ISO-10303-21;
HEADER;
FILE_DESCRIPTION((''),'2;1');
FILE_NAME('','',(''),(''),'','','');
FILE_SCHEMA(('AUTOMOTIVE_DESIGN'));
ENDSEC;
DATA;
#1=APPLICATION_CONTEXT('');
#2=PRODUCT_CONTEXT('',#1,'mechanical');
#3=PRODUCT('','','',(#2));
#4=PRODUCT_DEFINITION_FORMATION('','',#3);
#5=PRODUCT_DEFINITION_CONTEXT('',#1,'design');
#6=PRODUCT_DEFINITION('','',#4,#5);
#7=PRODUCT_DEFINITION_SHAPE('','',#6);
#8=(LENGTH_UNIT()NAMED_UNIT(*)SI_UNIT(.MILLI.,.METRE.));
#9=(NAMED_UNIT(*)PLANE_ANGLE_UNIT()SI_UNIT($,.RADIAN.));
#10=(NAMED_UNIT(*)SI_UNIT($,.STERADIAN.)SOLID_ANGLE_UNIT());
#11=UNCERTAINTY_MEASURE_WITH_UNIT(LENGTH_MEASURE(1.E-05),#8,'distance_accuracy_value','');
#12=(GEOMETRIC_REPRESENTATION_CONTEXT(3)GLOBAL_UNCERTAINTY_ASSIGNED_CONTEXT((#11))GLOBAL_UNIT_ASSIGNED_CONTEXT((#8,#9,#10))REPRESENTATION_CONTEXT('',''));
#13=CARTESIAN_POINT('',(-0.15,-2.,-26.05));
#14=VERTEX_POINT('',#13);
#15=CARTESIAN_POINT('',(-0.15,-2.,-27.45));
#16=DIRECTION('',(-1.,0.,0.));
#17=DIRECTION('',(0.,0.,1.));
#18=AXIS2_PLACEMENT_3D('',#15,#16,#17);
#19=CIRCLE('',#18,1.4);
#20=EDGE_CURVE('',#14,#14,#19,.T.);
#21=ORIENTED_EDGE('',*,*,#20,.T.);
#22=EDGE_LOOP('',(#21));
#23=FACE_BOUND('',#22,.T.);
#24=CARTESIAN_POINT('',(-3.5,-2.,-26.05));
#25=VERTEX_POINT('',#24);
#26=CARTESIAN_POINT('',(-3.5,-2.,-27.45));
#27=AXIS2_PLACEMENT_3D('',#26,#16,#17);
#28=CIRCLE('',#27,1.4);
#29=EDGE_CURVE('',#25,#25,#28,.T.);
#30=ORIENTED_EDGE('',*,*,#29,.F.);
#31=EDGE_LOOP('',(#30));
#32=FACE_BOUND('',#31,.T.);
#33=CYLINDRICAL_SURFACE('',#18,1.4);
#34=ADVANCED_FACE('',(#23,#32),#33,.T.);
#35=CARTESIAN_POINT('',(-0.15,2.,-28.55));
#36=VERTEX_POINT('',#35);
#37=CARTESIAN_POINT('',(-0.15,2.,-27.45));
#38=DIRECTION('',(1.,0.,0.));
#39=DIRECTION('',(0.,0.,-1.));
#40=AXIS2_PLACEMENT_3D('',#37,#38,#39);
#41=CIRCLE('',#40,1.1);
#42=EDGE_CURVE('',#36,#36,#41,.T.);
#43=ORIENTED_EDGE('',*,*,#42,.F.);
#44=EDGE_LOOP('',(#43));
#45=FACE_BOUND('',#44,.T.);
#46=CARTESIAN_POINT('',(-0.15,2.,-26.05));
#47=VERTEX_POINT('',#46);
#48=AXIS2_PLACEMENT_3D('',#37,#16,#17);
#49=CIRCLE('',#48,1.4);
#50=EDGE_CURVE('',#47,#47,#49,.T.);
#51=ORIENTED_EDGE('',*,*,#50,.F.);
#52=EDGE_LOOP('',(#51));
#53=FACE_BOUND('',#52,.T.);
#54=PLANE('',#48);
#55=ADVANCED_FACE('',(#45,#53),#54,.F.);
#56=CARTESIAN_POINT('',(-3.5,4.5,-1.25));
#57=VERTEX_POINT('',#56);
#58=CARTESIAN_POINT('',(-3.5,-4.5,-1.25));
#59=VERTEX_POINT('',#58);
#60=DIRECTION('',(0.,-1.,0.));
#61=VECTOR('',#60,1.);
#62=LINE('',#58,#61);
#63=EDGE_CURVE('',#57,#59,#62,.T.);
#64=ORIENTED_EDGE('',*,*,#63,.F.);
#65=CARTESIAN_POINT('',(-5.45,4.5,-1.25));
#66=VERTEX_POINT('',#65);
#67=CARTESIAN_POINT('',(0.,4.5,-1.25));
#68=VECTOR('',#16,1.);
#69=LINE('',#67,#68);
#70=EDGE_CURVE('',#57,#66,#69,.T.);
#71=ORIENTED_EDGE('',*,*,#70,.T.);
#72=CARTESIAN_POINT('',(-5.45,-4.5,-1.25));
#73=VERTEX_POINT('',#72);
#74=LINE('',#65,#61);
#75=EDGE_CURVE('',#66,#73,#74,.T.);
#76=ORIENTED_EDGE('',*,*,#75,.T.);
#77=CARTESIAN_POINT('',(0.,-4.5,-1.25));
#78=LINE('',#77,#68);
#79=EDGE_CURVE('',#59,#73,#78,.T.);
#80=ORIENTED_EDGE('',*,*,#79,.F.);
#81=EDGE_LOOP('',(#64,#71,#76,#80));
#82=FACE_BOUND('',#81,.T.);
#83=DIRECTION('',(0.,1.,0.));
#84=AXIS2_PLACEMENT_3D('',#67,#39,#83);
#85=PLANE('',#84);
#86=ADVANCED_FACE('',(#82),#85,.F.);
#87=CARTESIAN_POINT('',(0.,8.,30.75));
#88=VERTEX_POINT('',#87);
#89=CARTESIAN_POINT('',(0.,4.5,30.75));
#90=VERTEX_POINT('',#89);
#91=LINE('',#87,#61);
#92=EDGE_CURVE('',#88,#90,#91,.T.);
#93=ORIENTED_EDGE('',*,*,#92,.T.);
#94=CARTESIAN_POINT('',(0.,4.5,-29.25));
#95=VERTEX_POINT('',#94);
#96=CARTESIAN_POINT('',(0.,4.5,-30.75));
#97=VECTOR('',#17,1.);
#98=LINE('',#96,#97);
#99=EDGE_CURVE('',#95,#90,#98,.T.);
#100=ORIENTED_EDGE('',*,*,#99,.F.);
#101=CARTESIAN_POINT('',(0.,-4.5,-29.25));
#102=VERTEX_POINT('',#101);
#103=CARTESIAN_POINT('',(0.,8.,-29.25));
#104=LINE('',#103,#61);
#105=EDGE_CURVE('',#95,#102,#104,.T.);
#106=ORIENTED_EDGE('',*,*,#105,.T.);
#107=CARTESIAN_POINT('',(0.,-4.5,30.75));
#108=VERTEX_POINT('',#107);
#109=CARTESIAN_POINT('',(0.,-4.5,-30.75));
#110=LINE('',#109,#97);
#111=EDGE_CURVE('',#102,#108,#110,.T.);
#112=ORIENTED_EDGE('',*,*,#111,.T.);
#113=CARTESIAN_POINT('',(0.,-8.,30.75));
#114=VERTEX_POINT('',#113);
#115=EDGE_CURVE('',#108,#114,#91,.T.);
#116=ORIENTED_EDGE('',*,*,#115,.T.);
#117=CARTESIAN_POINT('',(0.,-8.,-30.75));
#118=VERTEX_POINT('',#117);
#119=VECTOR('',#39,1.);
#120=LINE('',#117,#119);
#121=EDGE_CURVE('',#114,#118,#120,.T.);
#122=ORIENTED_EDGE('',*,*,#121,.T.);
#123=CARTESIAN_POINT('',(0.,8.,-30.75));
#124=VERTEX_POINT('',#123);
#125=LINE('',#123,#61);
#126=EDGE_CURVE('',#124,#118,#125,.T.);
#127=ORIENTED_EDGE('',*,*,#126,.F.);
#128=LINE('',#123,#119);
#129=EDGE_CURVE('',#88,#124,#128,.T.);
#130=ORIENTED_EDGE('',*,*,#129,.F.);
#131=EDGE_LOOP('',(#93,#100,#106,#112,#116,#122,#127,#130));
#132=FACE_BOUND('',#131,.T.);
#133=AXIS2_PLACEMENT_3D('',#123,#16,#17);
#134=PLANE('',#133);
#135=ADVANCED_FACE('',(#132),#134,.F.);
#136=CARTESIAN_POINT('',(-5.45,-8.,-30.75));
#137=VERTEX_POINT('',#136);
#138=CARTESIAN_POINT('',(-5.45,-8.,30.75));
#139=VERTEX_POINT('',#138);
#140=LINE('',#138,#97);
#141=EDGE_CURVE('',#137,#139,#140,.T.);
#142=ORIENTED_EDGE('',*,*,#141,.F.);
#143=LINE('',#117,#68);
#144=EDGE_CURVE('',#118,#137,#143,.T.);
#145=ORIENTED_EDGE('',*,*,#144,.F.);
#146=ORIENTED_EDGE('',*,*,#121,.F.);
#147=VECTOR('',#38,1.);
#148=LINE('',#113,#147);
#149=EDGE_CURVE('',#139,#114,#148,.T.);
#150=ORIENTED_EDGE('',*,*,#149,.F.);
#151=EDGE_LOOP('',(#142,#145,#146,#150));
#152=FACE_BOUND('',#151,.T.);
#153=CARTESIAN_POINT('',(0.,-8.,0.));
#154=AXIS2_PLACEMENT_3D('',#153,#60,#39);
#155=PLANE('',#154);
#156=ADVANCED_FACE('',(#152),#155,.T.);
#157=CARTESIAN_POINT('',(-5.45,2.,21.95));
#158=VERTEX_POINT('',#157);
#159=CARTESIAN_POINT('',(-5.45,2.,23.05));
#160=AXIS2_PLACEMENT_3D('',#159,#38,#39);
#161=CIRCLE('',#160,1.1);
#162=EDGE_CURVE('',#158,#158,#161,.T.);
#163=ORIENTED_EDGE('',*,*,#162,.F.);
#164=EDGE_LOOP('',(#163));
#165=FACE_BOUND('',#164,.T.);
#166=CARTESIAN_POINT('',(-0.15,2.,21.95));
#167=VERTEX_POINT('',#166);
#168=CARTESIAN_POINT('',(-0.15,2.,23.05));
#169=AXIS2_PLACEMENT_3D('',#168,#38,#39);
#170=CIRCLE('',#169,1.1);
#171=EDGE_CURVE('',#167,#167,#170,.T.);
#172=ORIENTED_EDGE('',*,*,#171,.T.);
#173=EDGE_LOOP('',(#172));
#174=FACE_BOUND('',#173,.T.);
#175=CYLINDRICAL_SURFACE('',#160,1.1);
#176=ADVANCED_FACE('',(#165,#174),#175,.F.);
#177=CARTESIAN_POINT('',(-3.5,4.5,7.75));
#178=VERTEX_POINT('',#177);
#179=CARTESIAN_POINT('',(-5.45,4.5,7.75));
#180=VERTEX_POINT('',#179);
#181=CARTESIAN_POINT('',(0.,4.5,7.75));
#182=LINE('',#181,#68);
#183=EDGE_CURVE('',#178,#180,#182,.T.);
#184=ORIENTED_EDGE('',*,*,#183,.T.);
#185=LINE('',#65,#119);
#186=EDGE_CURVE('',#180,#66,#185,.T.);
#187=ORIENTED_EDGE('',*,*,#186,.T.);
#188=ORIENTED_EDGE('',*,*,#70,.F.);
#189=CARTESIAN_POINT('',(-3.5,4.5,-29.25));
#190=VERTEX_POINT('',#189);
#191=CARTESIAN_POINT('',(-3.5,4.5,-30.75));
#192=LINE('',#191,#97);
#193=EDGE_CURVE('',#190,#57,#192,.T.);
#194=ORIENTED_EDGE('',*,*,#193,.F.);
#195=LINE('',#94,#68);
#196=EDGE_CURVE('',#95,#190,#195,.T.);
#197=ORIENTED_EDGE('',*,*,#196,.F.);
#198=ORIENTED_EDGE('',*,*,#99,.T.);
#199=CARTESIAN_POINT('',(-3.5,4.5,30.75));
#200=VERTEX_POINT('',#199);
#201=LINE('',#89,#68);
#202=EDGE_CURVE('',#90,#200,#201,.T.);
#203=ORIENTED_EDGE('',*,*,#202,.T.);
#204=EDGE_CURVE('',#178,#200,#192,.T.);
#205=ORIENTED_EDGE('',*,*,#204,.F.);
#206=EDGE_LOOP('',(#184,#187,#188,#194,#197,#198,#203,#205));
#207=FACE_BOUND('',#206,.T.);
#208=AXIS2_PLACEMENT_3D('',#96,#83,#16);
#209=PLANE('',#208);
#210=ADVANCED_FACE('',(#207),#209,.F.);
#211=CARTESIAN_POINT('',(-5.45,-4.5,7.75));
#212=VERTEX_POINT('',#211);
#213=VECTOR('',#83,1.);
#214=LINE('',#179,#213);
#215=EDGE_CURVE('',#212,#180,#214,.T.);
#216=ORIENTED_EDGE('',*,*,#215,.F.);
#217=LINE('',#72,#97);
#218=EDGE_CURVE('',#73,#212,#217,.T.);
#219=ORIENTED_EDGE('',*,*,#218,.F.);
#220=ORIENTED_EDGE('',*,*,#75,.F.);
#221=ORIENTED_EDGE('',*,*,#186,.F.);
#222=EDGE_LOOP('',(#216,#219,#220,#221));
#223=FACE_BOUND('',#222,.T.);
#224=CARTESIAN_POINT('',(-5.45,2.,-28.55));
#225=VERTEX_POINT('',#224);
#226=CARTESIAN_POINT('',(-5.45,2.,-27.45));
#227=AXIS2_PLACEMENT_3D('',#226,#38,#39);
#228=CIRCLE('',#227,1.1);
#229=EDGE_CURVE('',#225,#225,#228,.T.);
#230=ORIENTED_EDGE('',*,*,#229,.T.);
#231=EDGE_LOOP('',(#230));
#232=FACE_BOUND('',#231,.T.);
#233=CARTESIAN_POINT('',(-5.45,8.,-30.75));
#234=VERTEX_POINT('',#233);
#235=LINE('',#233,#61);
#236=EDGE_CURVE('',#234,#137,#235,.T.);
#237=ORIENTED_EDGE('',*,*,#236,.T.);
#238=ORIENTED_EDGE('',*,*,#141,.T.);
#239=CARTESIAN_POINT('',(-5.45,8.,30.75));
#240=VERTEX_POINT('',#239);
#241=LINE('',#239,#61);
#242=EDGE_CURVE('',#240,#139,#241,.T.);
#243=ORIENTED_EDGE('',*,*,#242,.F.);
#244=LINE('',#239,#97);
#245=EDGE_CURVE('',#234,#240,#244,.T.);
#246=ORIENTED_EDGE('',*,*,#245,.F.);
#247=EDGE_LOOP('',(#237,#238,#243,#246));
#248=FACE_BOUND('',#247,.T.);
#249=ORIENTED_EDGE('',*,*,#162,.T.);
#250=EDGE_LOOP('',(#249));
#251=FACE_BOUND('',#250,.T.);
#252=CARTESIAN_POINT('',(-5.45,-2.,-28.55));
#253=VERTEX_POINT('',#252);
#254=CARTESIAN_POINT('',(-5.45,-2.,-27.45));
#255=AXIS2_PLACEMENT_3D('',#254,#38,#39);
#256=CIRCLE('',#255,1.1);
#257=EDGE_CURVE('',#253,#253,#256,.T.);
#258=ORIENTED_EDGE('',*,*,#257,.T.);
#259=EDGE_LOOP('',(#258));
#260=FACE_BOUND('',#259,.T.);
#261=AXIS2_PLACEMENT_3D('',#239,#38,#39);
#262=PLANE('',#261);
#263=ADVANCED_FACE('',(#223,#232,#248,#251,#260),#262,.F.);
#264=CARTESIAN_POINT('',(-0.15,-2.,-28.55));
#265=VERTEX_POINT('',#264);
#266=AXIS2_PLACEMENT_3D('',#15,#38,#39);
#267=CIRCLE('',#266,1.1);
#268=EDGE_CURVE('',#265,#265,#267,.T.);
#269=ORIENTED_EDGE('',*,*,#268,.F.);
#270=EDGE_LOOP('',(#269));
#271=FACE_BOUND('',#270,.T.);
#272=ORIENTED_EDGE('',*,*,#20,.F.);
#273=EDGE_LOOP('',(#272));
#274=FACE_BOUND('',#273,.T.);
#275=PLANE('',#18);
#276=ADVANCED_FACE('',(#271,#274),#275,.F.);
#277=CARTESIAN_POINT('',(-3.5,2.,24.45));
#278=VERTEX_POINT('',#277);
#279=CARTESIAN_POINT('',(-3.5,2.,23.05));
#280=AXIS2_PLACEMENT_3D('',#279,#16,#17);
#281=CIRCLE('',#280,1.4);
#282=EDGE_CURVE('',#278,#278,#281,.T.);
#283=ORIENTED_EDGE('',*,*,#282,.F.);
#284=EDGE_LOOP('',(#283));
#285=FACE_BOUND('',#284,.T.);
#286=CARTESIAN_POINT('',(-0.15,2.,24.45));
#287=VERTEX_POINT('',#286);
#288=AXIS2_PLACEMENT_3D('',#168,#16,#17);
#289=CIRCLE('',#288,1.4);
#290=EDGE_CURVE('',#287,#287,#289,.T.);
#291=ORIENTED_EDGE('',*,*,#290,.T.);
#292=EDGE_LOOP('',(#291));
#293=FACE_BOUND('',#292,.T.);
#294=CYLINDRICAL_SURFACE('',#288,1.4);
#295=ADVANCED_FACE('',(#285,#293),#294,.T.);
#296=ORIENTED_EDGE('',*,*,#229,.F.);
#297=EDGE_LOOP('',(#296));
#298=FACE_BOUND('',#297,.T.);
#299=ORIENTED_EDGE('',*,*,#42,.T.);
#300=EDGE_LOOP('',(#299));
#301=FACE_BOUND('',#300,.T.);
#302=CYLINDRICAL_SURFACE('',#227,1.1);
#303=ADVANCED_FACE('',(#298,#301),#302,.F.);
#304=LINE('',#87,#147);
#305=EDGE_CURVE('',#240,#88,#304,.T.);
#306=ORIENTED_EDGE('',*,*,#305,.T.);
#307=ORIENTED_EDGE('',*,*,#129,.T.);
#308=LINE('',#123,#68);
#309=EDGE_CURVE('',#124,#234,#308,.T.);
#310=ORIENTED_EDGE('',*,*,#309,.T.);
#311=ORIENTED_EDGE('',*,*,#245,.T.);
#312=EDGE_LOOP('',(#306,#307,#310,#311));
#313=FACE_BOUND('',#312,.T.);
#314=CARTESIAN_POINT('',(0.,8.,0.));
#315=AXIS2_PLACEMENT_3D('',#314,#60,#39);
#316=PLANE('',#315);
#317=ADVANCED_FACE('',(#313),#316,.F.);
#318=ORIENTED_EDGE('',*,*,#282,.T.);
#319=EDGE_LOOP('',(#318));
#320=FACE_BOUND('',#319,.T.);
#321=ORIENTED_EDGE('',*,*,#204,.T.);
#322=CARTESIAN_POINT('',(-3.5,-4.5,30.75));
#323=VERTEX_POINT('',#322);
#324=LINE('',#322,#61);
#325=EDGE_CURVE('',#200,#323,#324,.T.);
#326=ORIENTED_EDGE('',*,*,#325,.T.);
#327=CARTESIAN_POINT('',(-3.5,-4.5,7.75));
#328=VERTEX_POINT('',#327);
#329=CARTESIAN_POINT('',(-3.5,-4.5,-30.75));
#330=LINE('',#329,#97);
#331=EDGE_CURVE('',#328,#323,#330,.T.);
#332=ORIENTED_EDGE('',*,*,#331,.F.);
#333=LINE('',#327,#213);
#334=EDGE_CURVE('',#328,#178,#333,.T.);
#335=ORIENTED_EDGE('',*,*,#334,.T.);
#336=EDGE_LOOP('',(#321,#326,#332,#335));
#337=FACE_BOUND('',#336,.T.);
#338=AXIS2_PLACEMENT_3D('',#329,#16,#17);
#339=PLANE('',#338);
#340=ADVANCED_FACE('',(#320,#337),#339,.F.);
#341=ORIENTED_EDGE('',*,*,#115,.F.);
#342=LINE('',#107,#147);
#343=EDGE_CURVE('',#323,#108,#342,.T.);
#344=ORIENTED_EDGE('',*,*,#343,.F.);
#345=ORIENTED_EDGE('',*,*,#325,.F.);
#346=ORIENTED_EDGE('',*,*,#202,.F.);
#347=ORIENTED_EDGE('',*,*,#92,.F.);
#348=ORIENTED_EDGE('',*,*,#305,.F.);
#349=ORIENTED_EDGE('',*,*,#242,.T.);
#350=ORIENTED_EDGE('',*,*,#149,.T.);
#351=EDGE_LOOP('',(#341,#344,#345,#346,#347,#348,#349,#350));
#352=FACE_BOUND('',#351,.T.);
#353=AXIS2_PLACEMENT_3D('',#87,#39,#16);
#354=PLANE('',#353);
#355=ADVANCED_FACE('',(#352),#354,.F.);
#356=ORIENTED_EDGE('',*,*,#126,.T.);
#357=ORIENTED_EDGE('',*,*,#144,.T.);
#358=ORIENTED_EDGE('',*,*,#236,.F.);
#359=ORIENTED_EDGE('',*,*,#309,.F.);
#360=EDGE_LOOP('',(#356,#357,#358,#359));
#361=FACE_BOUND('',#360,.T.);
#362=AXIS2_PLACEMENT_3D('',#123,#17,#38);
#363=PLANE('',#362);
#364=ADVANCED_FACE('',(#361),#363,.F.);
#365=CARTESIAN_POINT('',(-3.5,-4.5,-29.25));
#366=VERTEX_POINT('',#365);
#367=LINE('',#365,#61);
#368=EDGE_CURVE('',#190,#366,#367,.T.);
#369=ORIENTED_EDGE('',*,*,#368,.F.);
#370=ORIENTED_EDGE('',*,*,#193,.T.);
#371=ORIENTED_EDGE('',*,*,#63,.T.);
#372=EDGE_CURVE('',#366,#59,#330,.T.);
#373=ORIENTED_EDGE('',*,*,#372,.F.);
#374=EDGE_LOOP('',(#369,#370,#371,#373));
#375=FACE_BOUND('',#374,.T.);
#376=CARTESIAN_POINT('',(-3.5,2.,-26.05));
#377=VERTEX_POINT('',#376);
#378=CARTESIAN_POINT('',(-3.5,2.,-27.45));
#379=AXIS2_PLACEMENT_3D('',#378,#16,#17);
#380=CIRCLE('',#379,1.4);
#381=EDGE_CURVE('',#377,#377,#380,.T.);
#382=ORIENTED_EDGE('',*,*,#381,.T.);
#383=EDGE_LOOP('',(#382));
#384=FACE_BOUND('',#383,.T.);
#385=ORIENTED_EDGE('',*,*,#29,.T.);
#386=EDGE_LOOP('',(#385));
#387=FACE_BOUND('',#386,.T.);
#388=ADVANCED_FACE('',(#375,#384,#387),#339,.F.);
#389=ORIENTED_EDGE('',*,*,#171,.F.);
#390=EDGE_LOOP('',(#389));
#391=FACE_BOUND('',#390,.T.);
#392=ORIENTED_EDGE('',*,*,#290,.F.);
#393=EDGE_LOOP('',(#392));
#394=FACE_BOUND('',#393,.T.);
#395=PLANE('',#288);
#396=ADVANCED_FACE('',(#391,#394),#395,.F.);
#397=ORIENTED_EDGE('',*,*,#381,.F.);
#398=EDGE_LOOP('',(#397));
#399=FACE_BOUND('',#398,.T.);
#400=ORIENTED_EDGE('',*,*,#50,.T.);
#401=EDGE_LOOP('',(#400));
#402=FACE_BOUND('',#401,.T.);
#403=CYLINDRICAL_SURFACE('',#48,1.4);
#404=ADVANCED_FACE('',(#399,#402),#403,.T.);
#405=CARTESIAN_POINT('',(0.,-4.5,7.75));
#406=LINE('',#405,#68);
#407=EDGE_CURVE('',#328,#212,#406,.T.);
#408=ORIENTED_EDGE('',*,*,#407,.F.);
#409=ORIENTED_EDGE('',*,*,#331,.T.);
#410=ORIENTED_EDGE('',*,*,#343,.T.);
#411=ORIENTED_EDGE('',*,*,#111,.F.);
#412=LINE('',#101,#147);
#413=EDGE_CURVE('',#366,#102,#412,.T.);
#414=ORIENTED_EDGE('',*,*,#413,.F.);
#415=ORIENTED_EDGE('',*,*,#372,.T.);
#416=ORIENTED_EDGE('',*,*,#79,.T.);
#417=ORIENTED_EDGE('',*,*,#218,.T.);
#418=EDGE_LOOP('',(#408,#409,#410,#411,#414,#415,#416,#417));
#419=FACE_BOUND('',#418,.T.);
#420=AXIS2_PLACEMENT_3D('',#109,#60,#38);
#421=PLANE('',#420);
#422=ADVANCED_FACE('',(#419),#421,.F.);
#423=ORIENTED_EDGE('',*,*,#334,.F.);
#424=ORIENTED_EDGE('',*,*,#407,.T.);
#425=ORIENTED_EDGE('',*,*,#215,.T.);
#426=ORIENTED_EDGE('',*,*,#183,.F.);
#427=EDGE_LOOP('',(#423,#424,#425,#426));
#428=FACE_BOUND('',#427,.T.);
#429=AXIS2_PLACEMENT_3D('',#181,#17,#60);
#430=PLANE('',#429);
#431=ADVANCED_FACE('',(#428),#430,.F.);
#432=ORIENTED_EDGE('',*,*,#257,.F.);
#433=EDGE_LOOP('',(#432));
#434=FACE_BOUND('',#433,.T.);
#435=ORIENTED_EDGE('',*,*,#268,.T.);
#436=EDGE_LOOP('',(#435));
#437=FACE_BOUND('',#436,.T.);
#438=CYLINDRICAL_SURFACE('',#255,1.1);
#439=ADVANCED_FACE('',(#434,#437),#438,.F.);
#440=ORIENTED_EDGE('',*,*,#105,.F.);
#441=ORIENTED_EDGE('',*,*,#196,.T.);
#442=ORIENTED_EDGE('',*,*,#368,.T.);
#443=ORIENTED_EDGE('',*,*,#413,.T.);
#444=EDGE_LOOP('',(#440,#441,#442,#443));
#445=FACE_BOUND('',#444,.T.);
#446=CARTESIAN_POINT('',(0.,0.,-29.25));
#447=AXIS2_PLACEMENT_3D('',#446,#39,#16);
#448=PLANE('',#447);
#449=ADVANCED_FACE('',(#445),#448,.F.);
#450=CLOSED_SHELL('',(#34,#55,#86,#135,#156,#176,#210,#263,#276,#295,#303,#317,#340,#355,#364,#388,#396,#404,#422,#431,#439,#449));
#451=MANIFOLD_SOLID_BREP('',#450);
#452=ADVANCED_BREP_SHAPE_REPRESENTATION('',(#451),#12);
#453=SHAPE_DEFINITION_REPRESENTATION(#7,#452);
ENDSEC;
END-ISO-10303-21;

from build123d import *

# Parameters (mm, degrees)
SKETCH9_W           = 5.45
SKETCH9_H           = 61.5
BOSS_EXTRUDE3_DEPTH = 8
SKETCH11_W          = 3.5
SKETCH11_H          = 9
CUT_EXTRUDE1_DEPTH  = 63.257148184
SKETCH12_R          = 1.4
BOSS_EXTRUDE4_DEPTH = 5.3
SKETCH13_R          = 1.1
CUT_EXTRUDE2_DEPTH  = 33.212613989
SKETCH14_W          = 4.52927803
SKETCH14_H          = 16
BOSS_EXTRUDE5_DEPTH = 1.5
SKETCH15_W          = 9
SKETCH15_H          = 9
CUT_EXTRUDE3_DEPTH  = 33.237633288


with BuildPart() as part:
    # Sketch9 → Boss-Extrude3 (new, symmetric)
    with BuildSketch(Plane(origin=(0, 0, 0), x_dir=(1, 0, 0), z_dir=(0, 1, 0))):
        with Locations((-2.725, 0)):
            Rectangle(SKETCH9_W, SKETCH9_H)
    extrude(amount=BOSS_EXTRUDE3_DEPTH, both=True)

    # Sketch11 → Cut-Extrude1 (cut, through all)
    with BuildSketch(Plane.XY.offset(30.75)):
        with Locations((-1.75, 0)):
            Rectangle(SKETCH11_W, SKETCH11_H)
    extrude(amount=-CUT_EXTRUDE1_DEPTH, mode=Mode.SUBTRACT)

    # Sketch12 → Boss-Extrude4 (add)
    with BuildSketch(Plane.ZY.offset(5.45)):
        with Locations((-27.45, 2)):
            Circle(SKETCH12_R)
        with Locations((-27.45, -2)):
            Circle(SKETCH12_R)
        with Locations((23.05, 2)):
            Circle(SKETCH12_R)
    extrude(amount=-BOSS_EXTRUDE4_DEPTH)

    # Sketch13 → Cut-Extrude2 (cut, through all)
    with BuildSketch(Plane(origin=(-0.15, 0, 0), x_dir=(0, 0, -1), z_dir=(1, 0, 0))):
        with Locations((-23.05, 2)):
            Circle(SKETCH13_R)
        with Locations((27.45, 2)):
            Circle(SKETCH13_R)
        with Locations((27.45, -2)):
            Circle(SKETCH13_R)
    extrude(amount=-CUT_EXTRUDE2_DEPTH, mode=Mode.SUBTRACT)

    # Sketch14 → Boss-Extrude5 (add)
    with BuildSketch(Plane(origin=(0, 0, -30.75), x_dir=(-1, 0, 0), z_dir=(0, 0, -1))):
        with Locations((2.264639015, 0)):
            Rectangle(SKETCH14_W, SKETCH14_H)
    extrude(amount=-BOSS_EXTRUDE5_DEPTH)

    # Sketch15 → Cut-Extrude3 (cut, through all)
    with BuildSketch(Plane.ZY.offset(5.45)):
        with Locations((3.25, 0)):
            Rectangle(SKETCH15_W, SKETCH15_H)
    extrude(amount=-CUT_EXTRUDE3_DEPTH, mode=Mode.SUBTRACT)


solid = part.part
